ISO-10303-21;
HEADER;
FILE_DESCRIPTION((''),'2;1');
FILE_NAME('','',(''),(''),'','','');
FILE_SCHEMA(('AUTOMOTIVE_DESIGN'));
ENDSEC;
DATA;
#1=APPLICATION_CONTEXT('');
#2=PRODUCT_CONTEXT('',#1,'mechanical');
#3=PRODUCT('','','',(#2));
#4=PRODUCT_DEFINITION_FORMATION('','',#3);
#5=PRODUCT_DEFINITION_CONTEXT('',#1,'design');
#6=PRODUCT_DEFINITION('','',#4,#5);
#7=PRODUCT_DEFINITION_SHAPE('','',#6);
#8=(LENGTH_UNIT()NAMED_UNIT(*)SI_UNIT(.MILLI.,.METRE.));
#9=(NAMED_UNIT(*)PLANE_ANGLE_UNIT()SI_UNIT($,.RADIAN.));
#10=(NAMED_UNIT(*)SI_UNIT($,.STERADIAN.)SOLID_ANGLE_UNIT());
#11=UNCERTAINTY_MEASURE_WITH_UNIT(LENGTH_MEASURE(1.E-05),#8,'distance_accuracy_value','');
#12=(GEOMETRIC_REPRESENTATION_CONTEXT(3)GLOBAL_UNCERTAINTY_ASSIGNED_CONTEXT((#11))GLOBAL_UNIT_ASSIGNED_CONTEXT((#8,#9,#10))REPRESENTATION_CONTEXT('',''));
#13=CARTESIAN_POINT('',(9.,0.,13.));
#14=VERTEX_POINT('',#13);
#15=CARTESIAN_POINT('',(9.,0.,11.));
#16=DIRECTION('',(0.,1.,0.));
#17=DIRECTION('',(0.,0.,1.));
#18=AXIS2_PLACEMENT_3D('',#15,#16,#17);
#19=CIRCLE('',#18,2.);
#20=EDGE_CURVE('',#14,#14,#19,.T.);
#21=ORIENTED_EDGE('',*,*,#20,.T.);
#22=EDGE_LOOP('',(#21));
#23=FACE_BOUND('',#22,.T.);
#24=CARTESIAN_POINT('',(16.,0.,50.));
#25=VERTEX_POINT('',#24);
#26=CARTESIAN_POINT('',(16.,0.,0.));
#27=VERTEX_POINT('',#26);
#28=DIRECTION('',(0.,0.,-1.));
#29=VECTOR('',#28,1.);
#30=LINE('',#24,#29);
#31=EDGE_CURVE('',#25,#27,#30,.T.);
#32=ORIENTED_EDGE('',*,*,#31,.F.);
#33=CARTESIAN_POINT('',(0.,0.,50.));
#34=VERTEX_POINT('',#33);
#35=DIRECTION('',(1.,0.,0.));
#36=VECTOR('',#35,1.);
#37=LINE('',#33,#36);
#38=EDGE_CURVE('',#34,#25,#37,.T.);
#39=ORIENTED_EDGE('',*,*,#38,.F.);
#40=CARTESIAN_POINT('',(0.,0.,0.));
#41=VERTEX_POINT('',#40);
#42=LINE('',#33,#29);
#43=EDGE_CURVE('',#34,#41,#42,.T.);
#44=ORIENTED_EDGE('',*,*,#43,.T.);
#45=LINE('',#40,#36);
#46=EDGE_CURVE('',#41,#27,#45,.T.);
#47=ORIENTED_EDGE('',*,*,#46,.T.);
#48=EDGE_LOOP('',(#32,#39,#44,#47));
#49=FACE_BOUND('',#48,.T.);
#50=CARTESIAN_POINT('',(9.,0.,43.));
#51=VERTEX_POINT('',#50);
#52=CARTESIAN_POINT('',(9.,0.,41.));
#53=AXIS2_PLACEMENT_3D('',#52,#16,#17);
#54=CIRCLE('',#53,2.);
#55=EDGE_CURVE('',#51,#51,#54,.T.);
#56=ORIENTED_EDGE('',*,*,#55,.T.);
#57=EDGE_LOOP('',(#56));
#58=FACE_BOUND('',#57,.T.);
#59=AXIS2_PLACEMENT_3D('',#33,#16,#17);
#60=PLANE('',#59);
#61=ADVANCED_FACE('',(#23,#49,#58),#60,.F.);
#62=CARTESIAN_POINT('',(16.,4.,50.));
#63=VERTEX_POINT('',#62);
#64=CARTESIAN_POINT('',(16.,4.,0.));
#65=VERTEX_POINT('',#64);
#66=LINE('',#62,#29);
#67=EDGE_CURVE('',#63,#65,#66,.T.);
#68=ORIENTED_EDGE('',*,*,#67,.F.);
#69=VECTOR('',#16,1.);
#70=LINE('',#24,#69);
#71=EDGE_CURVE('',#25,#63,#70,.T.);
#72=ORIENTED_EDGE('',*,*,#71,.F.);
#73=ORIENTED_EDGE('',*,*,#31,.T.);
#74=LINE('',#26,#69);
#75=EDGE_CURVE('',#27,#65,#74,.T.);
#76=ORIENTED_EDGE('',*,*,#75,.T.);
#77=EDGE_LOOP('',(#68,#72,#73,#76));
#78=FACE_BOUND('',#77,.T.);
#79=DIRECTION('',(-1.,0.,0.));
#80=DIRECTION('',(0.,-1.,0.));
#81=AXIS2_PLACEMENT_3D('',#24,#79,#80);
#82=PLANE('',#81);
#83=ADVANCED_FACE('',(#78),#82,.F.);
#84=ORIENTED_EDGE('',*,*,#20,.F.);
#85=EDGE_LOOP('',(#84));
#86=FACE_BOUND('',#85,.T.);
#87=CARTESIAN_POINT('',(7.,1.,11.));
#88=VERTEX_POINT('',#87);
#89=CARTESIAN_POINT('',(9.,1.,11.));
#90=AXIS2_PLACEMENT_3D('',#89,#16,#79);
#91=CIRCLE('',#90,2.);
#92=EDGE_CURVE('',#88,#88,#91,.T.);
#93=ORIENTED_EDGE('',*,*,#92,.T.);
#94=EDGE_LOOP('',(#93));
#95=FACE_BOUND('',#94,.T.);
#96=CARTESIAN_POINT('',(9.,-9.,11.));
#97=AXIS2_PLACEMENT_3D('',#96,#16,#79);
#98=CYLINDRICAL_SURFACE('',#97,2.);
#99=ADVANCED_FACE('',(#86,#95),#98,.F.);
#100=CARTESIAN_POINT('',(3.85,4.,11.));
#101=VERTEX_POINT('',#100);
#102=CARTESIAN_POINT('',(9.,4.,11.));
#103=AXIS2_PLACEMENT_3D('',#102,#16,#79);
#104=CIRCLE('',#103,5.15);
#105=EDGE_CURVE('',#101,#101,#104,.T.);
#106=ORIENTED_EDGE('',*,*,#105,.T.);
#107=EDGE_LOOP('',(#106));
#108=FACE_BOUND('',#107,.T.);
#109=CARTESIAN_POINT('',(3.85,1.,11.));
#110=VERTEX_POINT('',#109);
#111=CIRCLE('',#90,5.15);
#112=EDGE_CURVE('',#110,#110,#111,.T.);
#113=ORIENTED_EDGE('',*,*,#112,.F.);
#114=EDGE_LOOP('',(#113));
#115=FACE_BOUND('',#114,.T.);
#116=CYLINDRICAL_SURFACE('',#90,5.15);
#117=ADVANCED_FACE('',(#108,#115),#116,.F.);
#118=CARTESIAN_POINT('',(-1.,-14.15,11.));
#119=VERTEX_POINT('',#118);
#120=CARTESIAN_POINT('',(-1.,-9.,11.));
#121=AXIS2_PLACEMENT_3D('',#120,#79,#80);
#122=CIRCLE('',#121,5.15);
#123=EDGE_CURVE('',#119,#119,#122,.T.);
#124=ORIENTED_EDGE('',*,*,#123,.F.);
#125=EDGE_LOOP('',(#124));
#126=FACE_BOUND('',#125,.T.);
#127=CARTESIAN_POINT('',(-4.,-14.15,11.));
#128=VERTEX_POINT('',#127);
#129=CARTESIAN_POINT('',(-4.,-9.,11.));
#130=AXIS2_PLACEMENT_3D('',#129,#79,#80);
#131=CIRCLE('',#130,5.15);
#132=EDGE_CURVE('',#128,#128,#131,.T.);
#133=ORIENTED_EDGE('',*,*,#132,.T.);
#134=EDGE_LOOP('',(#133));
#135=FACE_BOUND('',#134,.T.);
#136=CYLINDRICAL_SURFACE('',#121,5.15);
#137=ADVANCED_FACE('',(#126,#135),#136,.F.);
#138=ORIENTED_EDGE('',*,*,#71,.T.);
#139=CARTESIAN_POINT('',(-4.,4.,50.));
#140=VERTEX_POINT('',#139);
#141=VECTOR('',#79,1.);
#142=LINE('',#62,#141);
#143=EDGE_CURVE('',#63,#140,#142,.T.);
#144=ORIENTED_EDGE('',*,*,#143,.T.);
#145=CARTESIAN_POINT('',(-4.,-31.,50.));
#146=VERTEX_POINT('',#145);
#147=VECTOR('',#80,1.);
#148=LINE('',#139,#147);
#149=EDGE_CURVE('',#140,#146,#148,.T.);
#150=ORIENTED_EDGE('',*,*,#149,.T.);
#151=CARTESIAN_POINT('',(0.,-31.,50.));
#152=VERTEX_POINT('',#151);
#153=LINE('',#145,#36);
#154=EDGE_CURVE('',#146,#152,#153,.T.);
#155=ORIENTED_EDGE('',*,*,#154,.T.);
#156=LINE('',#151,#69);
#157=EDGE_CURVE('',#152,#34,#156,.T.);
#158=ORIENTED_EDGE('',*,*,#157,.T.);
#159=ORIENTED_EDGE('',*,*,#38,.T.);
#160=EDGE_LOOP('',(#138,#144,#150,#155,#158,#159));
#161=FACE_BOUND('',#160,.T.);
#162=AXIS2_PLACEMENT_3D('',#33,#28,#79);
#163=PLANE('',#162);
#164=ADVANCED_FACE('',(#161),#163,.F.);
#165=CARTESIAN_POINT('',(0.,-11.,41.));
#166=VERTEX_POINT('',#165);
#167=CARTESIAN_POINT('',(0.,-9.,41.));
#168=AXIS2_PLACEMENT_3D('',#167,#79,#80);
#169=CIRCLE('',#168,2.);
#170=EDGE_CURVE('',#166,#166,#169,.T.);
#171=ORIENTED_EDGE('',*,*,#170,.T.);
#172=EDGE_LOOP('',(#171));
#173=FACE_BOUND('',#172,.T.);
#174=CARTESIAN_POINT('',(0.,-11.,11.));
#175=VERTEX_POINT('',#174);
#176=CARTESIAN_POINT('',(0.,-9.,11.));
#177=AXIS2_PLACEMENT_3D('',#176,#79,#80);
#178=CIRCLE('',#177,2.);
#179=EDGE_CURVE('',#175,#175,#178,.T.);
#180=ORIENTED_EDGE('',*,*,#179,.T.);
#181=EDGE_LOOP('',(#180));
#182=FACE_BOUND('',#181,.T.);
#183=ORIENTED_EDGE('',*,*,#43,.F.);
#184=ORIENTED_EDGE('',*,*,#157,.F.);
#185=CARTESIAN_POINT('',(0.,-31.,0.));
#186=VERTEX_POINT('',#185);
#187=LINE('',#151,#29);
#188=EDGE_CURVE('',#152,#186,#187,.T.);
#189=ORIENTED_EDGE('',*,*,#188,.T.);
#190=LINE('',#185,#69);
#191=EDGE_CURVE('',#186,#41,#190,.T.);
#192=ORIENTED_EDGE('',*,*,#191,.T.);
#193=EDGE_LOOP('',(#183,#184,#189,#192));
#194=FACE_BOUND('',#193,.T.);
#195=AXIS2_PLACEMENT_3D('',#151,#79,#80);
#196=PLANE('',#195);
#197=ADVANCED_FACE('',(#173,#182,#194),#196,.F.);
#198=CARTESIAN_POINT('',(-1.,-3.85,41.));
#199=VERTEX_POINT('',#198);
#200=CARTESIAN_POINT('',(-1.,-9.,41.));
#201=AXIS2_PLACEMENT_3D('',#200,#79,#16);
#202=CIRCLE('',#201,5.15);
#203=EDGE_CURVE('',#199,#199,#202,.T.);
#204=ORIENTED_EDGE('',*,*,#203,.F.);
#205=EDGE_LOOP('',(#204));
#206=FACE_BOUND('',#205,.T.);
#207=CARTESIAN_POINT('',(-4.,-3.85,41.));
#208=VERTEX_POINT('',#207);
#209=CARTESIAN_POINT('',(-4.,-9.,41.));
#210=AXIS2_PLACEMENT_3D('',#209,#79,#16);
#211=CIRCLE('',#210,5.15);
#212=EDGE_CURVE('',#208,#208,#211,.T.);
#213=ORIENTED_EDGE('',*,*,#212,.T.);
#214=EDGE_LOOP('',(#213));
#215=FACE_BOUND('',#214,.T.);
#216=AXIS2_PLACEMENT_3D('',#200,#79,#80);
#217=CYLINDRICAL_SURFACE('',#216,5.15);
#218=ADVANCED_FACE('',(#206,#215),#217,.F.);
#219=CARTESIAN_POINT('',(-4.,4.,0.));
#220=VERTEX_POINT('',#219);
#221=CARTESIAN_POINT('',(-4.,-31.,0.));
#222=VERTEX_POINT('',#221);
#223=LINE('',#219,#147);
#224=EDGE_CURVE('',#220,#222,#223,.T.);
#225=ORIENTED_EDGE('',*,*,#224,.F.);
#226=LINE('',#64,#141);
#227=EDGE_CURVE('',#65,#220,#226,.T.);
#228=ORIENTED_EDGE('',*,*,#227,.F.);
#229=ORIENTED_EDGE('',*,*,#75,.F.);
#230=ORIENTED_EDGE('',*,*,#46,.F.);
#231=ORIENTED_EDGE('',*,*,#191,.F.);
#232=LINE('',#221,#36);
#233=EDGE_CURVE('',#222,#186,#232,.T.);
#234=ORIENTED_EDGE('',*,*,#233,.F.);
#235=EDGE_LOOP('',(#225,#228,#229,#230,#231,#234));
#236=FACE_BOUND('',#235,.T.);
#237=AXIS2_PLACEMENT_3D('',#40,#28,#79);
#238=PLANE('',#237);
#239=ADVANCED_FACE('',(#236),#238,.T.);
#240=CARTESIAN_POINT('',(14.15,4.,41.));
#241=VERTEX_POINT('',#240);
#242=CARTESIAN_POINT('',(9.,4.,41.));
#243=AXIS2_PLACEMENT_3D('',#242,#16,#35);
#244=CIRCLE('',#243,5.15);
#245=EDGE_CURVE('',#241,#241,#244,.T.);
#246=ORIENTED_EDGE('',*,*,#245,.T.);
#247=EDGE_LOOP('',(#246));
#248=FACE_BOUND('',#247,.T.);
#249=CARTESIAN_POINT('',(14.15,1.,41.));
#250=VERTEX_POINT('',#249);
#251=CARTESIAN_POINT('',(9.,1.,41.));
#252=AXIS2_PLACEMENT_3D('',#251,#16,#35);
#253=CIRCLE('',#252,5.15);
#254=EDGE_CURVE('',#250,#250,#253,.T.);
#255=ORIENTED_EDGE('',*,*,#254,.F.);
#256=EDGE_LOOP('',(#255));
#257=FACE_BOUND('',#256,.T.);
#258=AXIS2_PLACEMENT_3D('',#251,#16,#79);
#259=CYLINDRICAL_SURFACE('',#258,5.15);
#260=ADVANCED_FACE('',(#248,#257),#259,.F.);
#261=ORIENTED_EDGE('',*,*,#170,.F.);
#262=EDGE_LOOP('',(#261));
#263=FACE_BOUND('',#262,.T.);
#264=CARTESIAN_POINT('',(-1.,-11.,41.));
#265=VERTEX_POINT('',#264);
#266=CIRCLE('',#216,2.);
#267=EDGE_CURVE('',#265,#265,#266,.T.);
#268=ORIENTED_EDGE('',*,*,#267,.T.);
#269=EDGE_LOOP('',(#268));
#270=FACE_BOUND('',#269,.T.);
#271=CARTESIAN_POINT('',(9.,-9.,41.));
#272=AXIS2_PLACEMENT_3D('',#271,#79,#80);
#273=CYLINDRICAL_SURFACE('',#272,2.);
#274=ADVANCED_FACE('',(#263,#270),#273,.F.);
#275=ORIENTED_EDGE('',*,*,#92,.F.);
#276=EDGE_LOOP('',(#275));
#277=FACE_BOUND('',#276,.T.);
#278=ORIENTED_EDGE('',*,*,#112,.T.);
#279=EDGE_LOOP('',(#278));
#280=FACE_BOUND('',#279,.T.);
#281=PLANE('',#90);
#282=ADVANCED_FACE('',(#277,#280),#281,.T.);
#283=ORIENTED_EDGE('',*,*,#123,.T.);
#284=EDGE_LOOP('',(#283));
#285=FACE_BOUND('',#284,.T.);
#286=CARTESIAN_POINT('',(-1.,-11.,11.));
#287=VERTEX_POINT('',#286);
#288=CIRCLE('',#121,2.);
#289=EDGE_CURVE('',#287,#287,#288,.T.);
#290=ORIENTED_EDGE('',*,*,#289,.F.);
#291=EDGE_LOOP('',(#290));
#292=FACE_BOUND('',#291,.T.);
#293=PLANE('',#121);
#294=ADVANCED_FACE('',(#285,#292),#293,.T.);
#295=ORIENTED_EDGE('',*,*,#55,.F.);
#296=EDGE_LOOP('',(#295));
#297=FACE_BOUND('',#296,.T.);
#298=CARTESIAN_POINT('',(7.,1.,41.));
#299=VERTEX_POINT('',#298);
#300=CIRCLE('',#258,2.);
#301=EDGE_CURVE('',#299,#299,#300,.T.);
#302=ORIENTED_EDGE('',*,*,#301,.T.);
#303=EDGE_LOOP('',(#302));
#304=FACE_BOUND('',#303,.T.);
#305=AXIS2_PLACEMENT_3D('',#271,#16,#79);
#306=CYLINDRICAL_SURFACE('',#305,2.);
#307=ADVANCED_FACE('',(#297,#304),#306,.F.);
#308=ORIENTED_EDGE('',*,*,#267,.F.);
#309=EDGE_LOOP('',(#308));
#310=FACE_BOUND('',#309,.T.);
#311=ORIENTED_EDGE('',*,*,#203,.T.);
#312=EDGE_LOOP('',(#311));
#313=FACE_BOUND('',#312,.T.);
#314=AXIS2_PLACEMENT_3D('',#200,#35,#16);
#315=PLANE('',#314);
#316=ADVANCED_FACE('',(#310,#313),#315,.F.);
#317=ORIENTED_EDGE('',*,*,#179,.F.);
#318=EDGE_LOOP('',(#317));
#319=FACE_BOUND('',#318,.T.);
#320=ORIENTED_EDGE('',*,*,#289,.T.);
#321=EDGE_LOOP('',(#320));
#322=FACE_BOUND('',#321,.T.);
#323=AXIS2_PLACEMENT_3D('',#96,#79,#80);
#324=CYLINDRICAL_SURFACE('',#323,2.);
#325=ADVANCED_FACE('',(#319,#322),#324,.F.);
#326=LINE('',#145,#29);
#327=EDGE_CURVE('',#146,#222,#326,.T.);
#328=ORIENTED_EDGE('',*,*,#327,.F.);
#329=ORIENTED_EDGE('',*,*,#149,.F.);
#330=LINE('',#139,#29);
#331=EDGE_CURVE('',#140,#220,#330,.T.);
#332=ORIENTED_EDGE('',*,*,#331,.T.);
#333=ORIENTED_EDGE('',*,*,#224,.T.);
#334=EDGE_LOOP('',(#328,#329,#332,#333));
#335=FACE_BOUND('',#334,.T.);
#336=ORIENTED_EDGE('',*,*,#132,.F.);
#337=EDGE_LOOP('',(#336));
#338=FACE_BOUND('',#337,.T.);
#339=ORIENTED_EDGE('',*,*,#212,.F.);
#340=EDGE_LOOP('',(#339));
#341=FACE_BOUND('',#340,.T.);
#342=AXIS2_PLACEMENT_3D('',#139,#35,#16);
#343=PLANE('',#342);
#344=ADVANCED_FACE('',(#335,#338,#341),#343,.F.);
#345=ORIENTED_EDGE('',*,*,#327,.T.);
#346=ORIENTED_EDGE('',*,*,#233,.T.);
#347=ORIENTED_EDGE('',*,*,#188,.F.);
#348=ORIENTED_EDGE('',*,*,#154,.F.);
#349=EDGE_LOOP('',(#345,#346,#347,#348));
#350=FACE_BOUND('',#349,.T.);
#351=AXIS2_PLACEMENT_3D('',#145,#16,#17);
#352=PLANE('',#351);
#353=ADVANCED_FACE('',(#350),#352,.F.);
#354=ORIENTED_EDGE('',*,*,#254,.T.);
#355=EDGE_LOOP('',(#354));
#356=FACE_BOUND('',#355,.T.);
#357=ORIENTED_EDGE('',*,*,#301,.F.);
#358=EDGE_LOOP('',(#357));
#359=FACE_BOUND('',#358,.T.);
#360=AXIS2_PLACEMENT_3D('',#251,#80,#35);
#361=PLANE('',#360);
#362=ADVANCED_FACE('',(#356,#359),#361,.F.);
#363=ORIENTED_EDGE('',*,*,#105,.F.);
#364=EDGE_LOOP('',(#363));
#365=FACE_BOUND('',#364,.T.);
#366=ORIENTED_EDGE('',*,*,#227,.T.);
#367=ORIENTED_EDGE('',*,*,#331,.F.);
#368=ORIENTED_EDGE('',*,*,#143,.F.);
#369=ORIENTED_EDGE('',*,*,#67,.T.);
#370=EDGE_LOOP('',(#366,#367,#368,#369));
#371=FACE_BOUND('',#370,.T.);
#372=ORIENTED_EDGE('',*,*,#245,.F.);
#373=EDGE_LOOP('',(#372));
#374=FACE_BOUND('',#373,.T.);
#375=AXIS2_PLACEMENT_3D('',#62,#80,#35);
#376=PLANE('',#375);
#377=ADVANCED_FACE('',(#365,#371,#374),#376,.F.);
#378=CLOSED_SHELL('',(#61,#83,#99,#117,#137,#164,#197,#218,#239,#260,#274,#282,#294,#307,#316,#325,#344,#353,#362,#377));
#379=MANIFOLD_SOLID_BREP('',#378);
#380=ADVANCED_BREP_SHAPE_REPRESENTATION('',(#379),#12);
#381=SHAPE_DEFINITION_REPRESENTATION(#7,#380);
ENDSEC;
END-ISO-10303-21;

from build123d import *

# Parameters (mm, degrees)
RESSALTO_EXTRUS_O1_DEPTH = 50
ESBO_O2_R                = 5.15
CORTE_EXTRUS_O1_DEPTH    = 3
ESBO_O3_R                = 5.15
CORTE_EXTRUS_O2_DEPTH    = 3
ESBO_O4_R                = 2
CORTE_EXTRUS_O3_DEPTH    = 10
ESBO_O5_R                = 2
CORTE_EXTRUS_O4_DEPTH    = 10


with BuildPart() as part:
    # Esboço1 → Ressalto-extrusão1 (new body)
    with BuildSketch(Plane.XY):
        Polygon((0, 0), (16, 0), (16, 4), (-4, 4), (-4, -31), (0, -31), align=None)
    extrude(amount=RESSALTO_EXTRUS_O1_DEPTH)

    # Esboço2 → Corte-extrusão1 (cut)
    with BuildSketch(Plane(origin=(0, 4, 0), x_dir=(1, 0, 0), z_dir=(0, 1, 0))):
        with Locations((9, -11)):
            Circle(ESBO_O2_R)
        with Locations((9, -41)):
            Circle(ESBO_O2_R)
    extrude(amount=-CORTE_EXTRUS_O1_DEPTH, mode=Mode.SUBTRACT)

    # Esboço3 → Corte-extrusão2 (cut)
    with BuildSketch(Plane.ZY.offset(4)):
        with Locations((11, -9)):
            Circle(ESBO_O3_R)
        with Locations((41, -9)):
            Circle(ESBO_O3_R)
    extrude(amount=-CORTE_EXTRUS_O2_DEPTH, mode=Mode.SUBTRACT)

    # Esboço4 → Corte-extrusão3 (cut)
    with BuildSketch(Plane.ZY.offset(1)):
        with Locations((11, -9)):
            Circle(ESBO_O4_R)
        with Locations((41, -9)):
            Circle(ESBO_O4_R)
    extrude(amount=-CORTE_EXTRUS_O3_DEPTH, mode=Mode.SUBTRACT)

    # Esboço5 → Corte-extrusão4 (cut)
    with BuildSketch(Plane(origin=(0, 1, 0), x_dir=(1, 0, 0), z_dir=(0, 1, 0))):
        with Locations((9, -11)):
            Circle(ESBO_O5_R)
        with Locations((9, -41)):
            Circle(ESBO_O5_R)
    extrude(amount=-CORTE_EXTRUS_O4_DEPTH, mode=Mode.SUBTRACT)


solid = part.part
